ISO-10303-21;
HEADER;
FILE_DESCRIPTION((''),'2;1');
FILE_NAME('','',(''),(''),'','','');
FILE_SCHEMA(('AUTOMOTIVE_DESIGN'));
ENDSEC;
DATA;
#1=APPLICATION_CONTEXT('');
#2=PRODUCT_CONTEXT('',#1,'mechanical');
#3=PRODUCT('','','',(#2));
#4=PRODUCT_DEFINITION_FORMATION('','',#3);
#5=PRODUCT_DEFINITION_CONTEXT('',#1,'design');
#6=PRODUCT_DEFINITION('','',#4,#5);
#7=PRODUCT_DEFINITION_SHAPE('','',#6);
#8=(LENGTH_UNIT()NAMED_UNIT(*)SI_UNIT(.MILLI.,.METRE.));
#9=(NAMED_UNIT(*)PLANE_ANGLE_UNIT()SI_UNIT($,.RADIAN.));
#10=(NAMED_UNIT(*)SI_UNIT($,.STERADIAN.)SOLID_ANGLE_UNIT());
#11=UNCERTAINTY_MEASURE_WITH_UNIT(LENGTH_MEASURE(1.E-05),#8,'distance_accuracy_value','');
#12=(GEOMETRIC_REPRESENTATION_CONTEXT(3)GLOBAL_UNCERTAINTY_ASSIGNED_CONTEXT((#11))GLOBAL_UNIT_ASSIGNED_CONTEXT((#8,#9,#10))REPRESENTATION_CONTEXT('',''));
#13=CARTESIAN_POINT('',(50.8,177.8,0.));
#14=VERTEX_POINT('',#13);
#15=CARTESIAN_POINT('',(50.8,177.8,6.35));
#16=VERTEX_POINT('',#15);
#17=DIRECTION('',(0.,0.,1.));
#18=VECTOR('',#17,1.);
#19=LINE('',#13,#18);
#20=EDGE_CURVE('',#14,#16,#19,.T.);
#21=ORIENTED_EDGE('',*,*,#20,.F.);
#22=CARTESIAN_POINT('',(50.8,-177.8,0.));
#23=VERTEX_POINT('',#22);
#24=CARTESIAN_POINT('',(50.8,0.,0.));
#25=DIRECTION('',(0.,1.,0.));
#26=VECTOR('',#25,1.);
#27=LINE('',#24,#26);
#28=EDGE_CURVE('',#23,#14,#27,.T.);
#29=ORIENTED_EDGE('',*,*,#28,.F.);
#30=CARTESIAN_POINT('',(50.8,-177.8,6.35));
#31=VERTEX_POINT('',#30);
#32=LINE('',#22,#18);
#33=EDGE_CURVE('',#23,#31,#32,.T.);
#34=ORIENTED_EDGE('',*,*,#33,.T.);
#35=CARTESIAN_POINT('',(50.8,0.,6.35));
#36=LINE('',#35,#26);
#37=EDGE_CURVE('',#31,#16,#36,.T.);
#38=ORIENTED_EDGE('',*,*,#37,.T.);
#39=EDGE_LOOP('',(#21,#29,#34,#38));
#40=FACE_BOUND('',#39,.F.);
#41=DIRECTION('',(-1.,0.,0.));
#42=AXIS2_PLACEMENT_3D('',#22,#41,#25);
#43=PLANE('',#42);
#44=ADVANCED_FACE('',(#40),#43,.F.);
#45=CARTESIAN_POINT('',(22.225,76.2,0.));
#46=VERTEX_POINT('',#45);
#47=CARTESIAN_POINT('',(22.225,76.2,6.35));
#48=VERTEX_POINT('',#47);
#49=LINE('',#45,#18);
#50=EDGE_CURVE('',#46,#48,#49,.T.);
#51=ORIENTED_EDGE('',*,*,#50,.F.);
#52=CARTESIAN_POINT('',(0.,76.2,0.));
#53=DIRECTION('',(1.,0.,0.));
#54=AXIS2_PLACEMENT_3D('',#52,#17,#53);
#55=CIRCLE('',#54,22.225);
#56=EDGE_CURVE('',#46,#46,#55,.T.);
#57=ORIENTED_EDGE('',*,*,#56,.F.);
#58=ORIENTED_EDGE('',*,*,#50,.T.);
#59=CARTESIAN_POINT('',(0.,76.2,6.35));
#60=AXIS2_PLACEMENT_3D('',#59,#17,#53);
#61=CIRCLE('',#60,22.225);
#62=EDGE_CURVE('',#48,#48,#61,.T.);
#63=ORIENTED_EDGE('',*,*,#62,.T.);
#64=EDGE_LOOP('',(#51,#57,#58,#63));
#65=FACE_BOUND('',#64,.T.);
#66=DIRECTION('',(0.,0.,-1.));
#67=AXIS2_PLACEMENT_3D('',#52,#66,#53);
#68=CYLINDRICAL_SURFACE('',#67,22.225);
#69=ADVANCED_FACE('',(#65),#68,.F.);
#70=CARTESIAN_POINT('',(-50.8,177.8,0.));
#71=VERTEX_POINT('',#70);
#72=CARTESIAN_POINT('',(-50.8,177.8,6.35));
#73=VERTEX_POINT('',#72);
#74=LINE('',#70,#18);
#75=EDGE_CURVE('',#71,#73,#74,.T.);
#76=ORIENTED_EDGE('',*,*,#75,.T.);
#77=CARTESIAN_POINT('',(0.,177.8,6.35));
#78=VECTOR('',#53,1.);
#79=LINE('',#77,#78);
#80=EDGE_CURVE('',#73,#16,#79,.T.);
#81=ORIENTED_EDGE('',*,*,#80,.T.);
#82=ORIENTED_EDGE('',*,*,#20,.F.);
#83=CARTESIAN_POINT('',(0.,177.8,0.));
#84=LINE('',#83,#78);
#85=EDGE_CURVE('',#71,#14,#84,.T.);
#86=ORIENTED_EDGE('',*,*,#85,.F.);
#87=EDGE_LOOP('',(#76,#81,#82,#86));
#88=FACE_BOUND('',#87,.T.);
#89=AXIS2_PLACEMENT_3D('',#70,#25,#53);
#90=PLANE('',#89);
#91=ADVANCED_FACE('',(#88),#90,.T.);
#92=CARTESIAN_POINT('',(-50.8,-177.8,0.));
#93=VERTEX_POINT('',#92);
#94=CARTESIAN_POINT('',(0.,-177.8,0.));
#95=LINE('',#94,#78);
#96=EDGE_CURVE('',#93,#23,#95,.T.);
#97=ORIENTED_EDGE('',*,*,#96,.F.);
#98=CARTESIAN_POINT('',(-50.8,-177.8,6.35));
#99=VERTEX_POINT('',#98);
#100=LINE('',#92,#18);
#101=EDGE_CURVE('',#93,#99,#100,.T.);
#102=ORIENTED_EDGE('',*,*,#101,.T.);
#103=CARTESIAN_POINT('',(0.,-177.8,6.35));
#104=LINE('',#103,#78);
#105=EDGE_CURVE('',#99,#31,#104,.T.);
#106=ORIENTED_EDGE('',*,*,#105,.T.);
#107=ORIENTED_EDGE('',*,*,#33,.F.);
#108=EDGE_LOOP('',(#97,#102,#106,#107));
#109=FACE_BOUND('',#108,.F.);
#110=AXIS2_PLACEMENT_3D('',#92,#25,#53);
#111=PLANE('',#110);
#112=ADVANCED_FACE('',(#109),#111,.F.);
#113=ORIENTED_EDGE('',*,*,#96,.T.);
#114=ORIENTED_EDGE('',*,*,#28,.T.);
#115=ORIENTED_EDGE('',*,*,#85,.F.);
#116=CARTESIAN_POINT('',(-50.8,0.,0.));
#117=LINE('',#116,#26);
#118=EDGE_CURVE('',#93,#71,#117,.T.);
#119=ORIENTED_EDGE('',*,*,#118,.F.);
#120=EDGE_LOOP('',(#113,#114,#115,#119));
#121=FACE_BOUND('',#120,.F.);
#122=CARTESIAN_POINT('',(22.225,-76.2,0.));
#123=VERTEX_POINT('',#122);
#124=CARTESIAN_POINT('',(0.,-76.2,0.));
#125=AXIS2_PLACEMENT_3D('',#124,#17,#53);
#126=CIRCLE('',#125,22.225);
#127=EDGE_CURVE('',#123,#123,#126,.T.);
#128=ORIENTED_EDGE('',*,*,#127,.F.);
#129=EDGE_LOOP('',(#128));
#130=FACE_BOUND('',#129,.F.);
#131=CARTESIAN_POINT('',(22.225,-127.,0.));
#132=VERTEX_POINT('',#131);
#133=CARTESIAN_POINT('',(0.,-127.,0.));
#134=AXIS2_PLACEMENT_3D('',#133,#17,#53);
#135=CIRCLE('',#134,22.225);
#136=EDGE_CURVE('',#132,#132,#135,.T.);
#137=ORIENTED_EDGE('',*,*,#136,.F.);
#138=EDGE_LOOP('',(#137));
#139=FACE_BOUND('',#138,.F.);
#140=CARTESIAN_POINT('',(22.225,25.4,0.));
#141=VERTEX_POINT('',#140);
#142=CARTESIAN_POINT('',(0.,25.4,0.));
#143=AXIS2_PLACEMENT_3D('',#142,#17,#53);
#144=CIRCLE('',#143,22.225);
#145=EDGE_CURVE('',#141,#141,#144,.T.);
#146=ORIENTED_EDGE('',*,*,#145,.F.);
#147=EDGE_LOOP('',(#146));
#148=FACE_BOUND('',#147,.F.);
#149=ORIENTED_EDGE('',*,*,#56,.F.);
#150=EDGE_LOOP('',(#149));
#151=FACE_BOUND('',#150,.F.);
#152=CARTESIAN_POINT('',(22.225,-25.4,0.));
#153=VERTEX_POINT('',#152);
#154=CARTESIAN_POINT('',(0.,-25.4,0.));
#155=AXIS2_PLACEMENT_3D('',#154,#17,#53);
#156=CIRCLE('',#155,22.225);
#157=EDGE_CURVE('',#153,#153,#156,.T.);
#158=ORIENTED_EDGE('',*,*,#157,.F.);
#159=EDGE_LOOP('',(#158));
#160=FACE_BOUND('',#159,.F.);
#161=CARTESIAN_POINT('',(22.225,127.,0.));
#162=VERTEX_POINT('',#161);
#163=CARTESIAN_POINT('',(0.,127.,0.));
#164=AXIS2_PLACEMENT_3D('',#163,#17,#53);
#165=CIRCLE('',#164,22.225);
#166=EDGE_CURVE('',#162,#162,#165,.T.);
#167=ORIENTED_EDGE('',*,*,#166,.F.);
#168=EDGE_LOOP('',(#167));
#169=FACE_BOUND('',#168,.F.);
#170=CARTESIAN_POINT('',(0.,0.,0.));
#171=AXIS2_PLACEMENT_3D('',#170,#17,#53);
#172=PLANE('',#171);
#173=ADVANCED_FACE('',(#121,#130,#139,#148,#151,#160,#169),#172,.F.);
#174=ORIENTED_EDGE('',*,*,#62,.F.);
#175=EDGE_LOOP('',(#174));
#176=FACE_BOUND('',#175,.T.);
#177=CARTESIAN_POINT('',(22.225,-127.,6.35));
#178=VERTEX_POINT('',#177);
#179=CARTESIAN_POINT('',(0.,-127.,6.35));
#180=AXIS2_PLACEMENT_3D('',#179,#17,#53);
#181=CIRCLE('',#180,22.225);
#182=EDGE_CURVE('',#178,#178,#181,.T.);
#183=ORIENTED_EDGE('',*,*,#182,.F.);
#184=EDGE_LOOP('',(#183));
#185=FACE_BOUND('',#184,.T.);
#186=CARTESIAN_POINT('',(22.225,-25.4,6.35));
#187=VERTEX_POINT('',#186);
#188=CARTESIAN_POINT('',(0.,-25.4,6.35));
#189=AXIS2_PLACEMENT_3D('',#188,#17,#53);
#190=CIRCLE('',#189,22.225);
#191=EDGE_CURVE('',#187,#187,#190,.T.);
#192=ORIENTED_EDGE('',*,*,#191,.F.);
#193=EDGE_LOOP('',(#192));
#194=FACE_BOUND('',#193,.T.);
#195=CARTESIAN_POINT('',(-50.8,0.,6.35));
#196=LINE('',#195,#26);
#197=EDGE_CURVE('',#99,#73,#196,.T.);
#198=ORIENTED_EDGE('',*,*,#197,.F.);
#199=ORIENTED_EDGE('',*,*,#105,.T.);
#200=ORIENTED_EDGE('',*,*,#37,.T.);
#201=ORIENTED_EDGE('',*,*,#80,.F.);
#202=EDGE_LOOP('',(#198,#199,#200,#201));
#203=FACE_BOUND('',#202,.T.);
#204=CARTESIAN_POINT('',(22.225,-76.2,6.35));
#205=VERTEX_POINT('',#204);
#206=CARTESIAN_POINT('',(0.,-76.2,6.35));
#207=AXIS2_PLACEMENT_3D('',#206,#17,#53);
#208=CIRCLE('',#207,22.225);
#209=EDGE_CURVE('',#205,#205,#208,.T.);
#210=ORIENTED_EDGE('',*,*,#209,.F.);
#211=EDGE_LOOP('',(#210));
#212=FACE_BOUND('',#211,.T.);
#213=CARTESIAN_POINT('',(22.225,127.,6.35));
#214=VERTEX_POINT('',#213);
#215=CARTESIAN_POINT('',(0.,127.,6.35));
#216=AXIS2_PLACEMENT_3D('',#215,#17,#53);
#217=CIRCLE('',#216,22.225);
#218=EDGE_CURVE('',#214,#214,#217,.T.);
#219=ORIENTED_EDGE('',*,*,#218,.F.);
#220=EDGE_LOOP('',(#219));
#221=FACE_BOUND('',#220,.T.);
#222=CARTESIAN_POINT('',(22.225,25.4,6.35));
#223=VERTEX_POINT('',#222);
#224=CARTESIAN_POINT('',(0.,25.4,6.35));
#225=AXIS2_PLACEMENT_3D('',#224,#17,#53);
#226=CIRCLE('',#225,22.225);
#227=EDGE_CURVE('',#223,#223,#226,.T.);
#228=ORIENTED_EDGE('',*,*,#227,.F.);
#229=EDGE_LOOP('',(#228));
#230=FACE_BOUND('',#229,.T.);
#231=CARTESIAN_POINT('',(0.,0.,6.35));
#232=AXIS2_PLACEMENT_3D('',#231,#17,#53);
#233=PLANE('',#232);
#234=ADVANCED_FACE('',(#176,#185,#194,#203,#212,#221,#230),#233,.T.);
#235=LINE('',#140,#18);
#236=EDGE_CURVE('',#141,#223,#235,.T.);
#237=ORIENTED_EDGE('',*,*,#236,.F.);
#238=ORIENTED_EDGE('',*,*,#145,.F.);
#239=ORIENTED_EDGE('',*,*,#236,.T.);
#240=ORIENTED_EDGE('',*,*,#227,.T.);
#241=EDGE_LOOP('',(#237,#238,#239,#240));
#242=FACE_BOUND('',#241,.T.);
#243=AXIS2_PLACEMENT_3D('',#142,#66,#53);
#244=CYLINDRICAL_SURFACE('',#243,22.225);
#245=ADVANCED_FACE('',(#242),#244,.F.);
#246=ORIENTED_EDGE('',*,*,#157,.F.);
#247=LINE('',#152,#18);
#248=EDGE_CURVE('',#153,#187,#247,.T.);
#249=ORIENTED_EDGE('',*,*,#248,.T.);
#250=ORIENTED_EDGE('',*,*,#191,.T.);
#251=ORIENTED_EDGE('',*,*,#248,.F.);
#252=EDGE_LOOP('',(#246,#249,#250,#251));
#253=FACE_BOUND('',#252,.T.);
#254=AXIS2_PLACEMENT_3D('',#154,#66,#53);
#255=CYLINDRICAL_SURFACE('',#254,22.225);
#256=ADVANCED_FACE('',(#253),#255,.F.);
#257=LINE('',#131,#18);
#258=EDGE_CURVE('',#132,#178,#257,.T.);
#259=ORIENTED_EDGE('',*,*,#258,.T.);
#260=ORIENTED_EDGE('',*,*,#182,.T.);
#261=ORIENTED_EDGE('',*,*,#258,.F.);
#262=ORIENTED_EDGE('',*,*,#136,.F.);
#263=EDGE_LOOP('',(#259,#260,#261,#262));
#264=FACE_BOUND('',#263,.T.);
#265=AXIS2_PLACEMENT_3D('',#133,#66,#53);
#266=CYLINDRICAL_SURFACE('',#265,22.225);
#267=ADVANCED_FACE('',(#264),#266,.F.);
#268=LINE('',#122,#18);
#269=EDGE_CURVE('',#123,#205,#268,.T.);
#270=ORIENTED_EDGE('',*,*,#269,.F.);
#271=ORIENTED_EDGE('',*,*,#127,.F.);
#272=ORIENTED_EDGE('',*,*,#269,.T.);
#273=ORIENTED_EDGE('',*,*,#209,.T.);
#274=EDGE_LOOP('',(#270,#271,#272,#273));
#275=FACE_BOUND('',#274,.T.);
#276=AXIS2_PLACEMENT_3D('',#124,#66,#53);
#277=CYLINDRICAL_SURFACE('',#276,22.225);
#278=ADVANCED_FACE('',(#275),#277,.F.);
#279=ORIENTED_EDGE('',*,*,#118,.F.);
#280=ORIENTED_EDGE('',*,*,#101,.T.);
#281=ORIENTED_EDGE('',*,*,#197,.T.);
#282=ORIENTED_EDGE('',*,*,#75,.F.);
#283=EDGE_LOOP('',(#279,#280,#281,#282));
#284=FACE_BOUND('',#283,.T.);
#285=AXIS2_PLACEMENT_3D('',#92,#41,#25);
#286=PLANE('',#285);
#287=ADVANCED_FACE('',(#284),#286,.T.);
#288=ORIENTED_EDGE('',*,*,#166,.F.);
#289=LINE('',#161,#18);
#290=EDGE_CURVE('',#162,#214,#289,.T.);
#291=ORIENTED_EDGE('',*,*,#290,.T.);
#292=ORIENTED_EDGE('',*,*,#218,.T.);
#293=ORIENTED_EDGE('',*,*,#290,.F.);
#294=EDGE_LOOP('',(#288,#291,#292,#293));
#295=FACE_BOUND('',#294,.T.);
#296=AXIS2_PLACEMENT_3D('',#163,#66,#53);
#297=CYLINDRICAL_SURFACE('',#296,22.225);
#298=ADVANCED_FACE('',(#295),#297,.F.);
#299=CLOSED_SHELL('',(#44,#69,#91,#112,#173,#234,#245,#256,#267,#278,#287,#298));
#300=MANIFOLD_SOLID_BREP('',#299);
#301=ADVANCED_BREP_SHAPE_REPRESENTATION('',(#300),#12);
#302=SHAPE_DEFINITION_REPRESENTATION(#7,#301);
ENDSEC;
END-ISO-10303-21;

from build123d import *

# Parameters (mm, degrees)
F0_W     = 101.6
F0_H     = 355.6
F0_R     = 22.225
F1_DEPTH = 6.35


with BuildPart() as f1:
    # F0 (on Top) → F1 (new body)
    with BuildSketch(Plane.XY):
        Rectangle(F0_W, F0_H)
        with Locations((0, -127)):
            Circle(F0_R, mode=Mode.SUBTRACT)
        with Locations((0, -76.2)):
            Circle(F0_R, mode=Mode.SUBTRACT)
        with Locations((0, -25.4)):
            Circle(F0_R, mode=Mode.SUBTRACT)
        with Locations((0, 25.4)):
            Circle(F0_R, mode=Mode.SUBTRACT)
        with Locations((0, 76.2)):
            Circle(F0_R, mode=Mode.SUBTRACT)
        with Locations((0, 127)):
            Circle(F0_R, mode=Mode.SUBTRACT)
    extrude(amount=F1_DEPTH)


solid = f1.part
